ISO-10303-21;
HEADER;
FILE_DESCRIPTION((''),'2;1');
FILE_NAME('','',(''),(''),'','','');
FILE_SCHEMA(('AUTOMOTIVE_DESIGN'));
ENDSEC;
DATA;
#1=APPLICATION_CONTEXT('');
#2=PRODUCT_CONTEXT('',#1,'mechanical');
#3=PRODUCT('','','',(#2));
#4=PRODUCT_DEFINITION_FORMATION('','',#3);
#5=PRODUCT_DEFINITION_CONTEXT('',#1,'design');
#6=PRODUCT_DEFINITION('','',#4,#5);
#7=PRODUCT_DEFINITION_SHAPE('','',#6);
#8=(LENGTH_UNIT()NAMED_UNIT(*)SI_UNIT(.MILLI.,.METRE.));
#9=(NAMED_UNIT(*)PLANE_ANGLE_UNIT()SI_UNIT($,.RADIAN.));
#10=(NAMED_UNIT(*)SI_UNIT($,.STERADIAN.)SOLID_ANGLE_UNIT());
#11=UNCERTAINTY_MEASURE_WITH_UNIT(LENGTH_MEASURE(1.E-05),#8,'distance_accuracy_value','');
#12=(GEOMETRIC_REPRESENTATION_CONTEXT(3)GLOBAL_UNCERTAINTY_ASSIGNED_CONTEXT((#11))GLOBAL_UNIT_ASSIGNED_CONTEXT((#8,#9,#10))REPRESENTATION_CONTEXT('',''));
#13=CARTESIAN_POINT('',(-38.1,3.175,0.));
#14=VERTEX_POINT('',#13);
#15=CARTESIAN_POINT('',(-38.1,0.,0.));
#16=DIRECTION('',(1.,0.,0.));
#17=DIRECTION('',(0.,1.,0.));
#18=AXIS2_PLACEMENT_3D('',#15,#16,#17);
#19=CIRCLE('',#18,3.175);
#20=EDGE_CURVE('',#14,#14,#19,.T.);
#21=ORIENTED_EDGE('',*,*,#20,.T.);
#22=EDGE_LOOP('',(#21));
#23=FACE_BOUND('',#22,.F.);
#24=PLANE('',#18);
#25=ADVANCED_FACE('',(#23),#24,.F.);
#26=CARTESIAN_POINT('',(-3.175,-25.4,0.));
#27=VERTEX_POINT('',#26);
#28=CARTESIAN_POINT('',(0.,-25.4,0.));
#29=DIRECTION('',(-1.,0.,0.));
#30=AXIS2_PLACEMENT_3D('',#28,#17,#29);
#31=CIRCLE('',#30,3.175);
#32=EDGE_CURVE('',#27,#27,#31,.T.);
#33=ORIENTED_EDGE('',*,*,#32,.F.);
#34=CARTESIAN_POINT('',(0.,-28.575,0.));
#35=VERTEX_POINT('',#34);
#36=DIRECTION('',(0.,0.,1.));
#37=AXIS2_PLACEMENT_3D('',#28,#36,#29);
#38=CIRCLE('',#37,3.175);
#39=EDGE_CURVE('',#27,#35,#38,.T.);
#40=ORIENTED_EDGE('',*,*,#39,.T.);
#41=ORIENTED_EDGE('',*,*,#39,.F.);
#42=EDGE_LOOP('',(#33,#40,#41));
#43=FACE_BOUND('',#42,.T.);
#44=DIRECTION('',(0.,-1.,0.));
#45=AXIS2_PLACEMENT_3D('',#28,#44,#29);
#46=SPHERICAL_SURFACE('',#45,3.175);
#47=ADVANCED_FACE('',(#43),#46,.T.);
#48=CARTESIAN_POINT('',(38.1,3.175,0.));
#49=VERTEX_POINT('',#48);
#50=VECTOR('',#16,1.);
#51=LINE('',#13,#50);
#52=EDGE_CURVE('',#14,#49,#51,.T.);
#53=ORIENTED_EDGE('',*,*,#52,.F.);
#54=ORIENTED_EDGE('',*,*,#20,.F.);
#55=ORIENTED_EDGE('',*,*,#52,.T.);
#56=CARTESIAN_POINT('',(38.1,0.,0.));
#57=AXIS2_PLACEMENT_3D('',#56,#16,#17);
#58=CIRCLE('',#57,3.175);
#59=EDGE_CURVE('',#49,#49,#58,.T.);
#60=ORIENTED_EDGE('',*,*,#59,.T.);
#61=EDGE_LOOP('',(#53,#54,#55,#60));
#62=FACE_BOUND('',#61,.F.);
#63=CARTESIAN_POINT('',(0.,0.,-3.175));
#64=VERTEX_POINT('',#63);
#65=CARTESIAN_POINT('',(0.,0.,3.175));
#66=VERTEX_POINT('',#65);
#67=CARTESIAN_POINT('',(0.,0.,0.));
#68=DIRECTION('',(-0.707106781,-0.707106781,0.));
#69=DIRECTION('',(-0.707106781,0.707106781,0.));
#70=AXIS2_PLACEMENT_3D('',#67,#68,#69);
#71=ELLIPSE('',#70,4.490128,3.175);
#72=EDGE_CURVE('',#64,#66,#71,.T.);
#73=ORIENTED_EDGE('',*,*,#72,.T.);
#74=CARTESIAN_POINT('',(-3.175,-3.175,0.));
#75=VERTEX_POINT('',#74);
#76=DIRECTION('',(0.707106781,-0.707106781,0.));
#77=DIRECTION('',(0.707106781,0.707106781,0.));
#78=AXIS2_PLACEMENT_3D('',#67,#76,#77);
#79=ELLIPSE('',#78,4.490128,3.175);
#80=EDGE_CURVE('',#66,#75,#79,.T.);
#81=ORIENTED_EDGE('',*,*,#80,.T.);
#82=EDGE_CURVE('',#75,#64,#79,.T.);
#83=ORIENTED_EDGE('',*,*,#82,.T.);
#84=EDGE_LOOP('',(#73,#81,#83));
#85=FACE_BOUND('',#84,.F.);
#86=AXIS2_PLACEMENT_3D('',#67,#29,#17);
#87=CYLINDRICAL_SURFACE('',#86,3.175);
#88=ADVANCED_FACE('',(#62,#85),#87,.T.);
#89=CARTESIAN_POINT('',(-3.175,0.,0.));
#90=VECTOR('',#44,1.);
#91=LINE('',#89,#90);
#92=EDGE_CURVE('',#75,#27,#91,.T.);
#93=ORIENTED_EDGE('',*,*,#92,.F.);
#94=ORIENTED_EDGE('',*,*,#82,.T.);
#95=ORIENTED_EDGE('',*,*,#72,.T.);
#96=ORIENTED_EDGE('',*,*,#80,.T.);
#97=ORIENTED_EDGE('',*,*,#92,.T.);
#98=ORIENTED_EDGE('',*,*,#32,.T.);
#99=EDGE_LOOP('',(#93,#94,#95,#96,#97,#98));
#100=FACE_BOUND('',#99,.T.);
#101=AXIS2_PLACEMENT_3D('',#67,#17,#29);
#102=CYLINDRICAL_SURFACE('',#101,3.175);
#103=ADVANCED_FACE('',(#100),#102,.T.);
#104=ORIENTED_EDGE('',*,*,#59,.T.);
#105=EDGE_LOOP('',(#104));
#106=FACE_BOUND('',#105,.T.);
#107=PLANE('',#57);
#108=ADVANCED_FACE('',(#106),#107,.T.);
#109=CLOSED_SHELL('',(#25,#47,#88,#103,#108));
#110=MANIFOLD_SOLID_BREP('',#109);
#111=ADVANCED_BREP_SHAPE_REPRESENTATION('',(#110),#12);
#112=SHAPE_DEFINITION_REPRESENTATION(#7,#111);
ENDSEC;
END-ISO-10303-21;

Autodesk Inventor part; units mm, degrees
ref_plane "YZ Plane" through (0, 0, 0) normal (1, 0, 0) x (0, 1, 0)
ref_plane "XZ Plane" through (0, 0, 0) normal (0, 1, 0) x (-1, 0, 0)
sketch "Sketch1" plane through (0, 0, 0) normal (1, 0, 0) x (0, 1, 0)
  circle A0 centre (0, 0) radius 3.175
  dimension "postHoleDiam" = 6.35
extrude "Extrusion1" add sketch "Sketch1" along normal mid plane 76.2
sketch "Sketch3" plane through (0, 0, 0) normal (0, 1, 0) x (-1, 0, 0)
  circle A0 centre (0, 0) radius 3.175
  line L0 (38.1, 3.175) -> (-38.1, 3.175) projected
extrude "Extrusion2" add sketch "Sketch3" against normal blind 25.4
ref_plane "Work Plane1" through (0, -31.75, 0) normal (0, -1, 0) x (1, 0, 0)
sketch "Sketch5" plane through (0, 0, 0) normal (0, 0, 1) x (1, 0, 0)
  line L0 (-3.175, -25.4) -> (3.175, -25.4) projected
  arc A0 (-3.175, -25.4) -> (0, -28.575) centre (0, -25.4) ccw
  line L1 (0, -25.4) -> (0, -28.575)
  line L2 (-3.175, -25.4) -> (0, -25.4)
  point P0 (0, 0)
revolve "Revolution1" add sketch "Sketch5" angle 360 about axis through (0, -25.4, 0) along (0, -1, 0)
equation "\"postHoleDiam\" = hopperHoleDiam"
equation "\"camDiam\" = 6.35"
equation "\"hopperHoleDiam\" = 6.35"
properties part number "camPost"
